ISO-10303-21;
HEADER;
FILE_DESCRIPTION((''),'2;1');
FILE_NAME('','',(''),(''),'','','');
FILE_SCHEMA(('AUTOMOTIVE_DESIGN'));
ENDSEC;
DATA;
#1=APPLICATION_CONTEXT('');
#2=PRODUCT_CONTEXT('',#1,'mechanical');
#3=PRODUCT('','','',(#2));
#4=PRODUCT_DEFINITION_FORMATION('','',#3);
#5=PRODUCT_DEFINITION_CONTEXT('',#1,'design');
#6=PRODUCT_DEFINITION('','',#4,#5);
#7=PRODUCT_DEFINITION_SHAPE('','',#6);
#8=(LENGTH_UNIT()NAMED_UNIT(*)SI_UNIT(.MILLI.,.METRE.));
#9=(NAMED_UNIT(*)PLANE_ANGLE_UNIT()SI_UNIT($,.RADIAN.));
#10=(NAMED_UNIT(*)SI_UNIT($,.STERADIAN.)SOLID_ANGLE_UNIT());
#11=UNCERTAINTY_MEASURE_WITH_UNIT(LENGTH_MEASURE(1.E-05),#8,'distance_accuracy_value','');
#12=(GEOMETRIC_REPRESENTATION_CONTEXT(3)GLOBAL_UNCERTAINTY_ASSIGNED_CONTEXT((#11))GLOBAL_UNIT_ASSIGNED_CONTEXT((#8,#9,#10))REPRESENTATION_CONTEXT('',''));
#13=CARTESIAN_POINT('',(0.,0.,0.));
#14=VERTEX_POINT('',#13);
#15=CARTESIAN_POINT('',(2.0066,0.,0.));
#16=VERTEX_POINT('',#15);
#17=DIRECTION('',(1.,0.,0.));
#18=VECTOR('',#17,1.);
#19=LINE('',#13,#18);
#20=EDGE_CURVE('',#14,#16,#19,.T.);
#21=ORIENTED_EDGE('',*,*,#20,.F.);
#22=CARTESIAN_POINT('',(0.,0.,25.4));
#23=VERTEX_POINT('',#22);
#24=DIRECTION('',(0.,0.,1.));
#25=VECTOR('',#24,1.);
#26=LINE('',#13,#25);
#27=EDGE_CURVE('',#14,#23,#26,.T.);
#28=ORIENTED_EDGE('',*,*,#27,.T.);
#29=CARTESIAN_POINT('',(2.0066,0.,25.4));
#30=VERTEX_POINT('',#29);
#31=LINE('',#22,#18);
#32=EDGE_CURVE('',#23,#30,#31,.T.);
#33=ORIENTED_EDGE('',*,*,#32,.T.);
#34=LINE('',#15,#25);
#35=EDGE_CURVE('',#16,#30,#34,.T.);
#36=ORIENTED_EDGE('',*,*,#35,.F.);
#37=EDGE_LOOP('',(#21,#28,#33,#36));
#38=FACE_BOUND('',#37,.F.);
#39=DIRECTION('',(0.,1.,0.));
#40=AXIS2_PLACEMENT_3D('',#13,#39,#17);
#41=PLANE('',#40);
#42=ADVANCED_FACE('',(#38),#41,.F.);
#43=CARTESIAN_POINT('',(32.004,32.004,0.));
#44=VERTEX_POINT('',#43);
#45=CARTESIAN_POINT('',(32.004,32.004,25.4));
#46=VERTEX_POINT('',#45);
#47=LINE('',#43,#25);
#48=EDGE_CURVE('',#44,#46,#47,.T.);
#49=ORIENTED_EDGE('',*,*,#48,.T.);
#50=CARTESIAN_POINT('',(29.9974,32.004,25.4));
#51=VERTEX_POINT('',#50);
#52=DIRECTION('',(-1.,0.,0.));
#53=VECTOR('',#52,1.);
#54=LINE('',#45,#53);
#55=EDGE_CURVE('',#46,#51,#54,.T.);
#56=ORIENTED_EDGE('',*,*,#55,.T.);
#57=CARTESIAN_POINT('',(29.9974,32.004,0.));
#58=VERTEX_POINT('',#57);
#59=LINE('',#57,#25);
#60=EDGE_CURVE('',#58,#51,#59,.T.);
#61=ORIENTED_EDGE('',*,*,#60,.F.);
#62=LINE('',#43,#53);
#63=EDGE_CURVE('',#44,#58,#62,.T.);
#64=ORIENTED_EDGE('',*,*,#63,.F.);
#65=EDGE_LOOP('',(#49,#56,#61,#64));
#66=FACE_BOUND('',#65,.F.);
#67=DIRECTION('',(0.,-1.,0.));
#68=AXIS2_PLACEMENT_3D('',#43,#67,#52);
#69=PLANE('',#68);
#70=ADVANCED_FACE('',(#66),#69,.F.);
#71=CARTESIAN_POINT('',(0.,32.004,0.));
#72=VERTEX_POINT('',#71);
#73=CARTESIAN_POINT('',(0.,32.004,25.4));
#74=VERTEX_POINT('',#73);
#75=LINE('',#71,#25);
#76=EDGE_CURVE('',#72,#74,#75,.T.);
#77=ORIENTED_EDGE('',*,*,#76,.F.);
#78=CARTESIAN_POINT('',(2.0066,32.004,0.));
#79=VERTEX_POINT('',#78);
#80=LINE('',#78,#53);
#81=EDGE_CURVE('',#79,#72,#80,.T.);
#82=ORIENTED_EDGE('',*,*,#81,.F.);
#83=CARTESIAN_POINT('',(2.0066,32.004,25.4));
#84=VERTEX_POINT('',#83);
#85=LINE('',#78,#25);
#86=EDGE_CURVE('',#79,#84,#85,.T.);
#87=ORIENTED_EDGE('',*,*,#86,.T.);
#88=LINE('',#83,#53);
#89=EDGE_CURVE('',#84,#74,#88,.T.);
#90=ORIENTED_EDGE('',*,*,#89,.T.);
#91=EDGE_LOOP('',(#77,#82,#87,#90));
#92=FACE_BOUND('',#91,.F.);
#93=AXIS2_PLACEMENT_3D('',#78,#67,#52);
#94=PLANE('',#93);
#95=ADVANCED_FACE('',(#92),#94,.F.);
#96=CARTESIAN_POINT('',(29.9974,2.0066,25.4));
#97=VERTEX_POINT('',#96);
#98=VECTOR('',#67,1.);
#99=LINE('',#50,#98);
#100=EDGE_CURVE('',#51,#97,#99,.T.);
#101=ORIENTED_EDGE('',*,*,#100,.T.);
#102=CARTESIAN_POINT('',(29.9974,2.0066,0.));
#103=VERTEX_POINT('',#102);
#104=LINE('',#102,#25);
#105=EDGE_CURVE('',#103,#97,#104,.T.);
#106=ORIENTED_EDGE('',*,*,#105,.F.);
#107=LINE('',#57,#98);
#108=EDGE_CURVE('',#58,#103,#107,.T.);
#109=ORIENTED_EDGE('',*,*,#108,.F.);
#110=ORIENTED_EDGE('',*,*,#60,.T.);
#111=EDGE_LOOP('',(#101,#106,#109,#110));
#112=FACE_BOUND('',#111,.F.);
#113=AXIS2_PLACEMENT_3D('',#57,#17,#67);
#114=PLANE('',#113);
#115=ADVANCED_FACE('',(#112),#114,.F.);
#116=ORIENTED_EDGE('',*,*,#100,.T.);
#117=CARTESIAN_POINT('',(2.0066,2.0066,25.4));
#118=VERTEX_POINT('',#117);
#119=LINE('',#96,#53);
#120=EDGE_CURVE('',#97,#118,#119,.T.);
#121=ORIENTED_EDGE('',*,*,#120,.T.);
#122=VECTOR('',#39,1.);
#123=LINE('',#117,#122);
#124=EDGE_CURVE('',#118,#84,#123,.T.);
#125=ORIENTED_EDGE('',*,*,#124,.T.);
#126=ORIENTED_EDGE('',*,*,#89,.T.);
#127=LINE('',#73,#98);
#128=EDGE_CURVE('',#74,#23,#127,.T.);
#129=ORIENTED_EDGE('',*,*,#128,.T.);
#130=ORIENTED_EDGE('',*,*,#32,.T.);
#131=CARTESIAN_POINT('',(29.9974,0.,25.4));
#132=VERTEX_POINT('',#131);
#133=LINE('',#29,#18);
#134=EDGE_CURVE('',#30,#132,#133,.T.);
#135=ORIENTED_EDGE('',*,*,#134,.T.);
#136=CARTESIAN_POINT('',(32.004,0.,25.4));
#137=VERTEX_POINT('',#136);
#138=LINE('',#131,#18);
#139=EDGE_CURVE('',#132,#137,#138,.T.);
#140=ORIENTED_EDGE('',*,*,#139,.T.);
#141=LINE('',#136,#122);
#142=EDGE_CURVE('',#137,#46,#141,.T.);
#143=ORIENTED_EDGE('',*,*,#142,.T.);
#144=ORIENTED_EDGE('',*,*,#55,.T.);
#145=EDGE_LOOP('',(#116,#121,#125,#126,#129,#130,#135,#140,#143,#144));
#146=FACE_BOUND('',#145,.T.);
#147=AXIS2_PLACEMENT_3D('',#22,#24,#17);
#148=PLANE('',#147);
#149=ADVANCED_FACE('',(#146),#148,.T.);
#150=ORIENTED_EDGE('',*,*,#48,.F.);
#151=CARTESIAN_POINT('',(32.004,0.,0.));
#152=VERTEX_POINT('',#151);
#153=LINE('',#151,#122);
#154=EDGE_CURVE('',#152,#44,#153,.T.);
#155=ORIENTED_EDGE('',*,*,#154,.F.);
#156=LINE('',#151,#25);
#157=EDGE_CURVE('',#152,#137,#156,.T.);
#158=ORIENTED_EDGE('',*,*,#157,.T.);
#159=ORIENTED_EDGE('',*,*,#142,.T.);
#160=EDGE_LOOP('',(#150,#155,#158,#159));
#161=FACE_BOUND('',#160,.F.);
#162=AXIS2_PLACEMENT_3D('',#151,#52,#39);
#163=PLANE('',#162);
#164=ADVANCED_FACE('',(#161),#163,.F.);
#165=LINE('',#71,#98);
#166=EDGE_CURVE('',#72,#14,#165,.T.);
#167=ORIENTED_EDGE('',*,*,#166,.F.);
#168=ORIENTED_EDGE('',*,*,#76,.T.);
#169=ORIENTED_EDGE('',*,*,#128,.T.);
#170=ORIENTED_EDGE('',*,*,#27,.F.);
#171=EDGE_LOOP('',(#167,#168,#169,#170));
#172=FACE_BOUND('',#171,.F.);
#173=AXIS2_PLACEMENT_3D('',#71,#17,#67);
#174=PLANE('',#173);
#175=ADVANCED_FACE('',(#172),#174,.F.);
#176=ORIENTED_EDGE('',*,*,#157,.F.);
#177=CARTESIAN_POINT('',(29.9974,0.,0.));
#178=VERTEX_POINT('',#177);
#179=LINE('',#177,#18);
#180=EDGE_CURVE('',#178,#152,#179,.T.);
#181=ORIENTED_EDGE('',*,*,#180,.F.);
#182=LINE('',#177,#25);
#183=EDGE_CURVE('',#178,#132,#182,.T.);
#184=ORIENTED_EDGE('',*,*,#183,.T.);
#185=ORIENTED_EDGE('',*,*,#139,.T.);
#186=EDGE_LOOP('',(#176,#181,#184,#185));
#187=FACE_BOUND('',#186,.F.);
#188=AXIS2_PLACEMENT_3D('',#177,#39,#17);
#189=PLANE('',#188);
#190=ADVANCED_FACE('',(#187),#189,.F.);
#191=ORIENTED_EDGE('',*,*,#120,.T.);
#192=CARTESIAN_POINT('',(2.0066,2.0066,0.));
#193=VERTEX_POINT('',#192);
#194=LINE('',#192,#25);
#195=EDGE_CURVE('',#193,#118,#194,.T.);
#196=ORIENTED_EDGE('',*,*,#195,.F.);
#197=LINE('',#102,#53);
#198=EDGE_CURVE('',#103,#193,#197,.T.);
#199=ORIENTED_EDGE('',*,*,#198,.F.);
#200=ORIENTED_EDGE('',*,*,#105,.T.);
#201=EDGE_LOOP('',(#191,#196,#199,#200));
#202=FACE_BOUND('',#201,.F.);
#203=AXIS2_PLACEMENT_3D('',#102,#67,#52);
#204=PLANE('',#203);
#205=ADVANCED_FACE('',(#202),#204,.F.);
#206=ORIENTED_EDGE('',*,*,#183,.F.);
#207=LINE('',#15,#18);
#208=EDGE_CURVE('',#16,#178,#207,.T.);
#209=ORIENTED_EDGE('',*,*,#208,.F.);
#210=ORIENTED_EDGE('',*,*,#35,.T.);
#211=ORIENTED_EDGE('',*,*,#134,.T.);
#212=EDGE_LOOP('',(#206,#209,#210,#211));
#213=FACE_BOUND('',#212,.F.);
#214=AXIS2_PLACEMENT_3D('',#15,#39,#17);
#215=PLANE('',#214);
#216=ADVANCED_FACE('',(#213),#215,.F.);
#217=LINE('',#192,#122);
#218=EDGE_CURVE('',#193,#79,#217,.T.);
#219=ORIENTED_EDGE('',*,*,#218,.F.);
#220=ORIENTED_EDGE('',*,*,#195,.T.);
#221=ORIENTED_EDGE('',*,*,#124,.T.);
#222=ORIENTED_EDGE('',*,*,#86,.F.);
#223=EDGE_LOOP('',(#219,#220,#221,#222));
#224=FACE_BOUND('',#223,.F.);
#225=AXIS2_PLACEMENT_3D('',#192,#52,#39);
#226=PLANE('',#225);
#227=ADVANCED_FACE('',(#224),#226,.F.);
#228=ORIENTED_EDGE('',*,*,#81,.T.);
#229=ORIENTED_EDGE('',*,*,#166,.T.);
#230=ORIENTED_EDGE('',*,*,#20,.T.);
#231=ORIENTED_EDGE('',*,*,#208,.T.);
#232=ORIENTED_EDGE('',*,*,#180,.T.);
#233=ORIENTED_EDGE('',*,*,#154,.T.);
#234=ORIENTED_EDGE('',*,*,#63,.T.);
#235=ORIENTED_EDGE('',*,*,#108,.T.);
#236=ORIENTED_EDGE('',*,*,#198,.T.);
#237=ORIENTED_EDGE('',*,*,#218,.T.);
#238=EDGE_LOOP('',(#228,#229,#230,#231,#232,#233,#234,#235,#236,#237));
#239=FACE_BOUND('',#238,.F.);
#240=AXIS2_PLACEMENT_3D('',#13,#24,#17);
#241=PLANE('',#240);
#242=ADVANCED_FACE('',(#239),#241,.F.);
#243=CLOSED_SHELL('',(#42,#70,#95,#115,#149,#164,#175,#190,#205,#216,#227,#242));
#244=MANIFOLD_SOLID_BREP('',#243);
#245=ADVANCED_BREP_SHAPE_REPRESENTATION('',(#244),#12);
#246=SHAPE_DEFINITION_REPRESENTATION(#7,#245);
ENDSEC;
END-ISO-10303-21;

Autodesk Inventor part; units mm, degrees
ref_plane "YZ Plane" through (0, 0, 0) normal (1, 0, 0) x (0, 1, 0)
ref_plane "XZ Plane" through (0, 0, 0) normal (0, 1, 0) x (-1, 0, 0)
ref_plane "XY Plane" through (0, 0, 0) normal (0, 0, 1) x (1, 0, 0)
sketch "Sketch1" plane through (0, 0, 0) normal (0, 0, 1) x (1, 0, 0)
  line L0 (2.0066, 32.004) -> (0, 32.004)
  line L1 (0, 32.004) -> (0, 0)
  line L2 (0, 0) -> (2.0066, 0)
  line L3 (2.0066, 2.0066) -> (2.0066, 32.004)
  line L4 (2.0066, 0) -> (29.9974, 0)
  line L5 (29.9974, 2.0066) -> (2.0066, 2.0066)
  line L6 (29.9974, 0) -> (32.004, 0)
  line L7 (32.004, 0) -> (32.004, 32.004)
  line L8 (32.004, 32.004) -> (29.9974, 32.004)
  line L9 (29.9974, 32.004) -> (29.9974, 2.0066)
  dimension "d2" = 2.0066
  dimension "d3" = 32.004
sketch "Sketch2" plane through (0, 0, 0) normal (0, 0, 1) x (1, 0, 0)
  point P0 (0, 0)
extrude "Extrusion1" add sketch "Sketch1" along normal blind 25.4
properties part number "BeamSolid1"
